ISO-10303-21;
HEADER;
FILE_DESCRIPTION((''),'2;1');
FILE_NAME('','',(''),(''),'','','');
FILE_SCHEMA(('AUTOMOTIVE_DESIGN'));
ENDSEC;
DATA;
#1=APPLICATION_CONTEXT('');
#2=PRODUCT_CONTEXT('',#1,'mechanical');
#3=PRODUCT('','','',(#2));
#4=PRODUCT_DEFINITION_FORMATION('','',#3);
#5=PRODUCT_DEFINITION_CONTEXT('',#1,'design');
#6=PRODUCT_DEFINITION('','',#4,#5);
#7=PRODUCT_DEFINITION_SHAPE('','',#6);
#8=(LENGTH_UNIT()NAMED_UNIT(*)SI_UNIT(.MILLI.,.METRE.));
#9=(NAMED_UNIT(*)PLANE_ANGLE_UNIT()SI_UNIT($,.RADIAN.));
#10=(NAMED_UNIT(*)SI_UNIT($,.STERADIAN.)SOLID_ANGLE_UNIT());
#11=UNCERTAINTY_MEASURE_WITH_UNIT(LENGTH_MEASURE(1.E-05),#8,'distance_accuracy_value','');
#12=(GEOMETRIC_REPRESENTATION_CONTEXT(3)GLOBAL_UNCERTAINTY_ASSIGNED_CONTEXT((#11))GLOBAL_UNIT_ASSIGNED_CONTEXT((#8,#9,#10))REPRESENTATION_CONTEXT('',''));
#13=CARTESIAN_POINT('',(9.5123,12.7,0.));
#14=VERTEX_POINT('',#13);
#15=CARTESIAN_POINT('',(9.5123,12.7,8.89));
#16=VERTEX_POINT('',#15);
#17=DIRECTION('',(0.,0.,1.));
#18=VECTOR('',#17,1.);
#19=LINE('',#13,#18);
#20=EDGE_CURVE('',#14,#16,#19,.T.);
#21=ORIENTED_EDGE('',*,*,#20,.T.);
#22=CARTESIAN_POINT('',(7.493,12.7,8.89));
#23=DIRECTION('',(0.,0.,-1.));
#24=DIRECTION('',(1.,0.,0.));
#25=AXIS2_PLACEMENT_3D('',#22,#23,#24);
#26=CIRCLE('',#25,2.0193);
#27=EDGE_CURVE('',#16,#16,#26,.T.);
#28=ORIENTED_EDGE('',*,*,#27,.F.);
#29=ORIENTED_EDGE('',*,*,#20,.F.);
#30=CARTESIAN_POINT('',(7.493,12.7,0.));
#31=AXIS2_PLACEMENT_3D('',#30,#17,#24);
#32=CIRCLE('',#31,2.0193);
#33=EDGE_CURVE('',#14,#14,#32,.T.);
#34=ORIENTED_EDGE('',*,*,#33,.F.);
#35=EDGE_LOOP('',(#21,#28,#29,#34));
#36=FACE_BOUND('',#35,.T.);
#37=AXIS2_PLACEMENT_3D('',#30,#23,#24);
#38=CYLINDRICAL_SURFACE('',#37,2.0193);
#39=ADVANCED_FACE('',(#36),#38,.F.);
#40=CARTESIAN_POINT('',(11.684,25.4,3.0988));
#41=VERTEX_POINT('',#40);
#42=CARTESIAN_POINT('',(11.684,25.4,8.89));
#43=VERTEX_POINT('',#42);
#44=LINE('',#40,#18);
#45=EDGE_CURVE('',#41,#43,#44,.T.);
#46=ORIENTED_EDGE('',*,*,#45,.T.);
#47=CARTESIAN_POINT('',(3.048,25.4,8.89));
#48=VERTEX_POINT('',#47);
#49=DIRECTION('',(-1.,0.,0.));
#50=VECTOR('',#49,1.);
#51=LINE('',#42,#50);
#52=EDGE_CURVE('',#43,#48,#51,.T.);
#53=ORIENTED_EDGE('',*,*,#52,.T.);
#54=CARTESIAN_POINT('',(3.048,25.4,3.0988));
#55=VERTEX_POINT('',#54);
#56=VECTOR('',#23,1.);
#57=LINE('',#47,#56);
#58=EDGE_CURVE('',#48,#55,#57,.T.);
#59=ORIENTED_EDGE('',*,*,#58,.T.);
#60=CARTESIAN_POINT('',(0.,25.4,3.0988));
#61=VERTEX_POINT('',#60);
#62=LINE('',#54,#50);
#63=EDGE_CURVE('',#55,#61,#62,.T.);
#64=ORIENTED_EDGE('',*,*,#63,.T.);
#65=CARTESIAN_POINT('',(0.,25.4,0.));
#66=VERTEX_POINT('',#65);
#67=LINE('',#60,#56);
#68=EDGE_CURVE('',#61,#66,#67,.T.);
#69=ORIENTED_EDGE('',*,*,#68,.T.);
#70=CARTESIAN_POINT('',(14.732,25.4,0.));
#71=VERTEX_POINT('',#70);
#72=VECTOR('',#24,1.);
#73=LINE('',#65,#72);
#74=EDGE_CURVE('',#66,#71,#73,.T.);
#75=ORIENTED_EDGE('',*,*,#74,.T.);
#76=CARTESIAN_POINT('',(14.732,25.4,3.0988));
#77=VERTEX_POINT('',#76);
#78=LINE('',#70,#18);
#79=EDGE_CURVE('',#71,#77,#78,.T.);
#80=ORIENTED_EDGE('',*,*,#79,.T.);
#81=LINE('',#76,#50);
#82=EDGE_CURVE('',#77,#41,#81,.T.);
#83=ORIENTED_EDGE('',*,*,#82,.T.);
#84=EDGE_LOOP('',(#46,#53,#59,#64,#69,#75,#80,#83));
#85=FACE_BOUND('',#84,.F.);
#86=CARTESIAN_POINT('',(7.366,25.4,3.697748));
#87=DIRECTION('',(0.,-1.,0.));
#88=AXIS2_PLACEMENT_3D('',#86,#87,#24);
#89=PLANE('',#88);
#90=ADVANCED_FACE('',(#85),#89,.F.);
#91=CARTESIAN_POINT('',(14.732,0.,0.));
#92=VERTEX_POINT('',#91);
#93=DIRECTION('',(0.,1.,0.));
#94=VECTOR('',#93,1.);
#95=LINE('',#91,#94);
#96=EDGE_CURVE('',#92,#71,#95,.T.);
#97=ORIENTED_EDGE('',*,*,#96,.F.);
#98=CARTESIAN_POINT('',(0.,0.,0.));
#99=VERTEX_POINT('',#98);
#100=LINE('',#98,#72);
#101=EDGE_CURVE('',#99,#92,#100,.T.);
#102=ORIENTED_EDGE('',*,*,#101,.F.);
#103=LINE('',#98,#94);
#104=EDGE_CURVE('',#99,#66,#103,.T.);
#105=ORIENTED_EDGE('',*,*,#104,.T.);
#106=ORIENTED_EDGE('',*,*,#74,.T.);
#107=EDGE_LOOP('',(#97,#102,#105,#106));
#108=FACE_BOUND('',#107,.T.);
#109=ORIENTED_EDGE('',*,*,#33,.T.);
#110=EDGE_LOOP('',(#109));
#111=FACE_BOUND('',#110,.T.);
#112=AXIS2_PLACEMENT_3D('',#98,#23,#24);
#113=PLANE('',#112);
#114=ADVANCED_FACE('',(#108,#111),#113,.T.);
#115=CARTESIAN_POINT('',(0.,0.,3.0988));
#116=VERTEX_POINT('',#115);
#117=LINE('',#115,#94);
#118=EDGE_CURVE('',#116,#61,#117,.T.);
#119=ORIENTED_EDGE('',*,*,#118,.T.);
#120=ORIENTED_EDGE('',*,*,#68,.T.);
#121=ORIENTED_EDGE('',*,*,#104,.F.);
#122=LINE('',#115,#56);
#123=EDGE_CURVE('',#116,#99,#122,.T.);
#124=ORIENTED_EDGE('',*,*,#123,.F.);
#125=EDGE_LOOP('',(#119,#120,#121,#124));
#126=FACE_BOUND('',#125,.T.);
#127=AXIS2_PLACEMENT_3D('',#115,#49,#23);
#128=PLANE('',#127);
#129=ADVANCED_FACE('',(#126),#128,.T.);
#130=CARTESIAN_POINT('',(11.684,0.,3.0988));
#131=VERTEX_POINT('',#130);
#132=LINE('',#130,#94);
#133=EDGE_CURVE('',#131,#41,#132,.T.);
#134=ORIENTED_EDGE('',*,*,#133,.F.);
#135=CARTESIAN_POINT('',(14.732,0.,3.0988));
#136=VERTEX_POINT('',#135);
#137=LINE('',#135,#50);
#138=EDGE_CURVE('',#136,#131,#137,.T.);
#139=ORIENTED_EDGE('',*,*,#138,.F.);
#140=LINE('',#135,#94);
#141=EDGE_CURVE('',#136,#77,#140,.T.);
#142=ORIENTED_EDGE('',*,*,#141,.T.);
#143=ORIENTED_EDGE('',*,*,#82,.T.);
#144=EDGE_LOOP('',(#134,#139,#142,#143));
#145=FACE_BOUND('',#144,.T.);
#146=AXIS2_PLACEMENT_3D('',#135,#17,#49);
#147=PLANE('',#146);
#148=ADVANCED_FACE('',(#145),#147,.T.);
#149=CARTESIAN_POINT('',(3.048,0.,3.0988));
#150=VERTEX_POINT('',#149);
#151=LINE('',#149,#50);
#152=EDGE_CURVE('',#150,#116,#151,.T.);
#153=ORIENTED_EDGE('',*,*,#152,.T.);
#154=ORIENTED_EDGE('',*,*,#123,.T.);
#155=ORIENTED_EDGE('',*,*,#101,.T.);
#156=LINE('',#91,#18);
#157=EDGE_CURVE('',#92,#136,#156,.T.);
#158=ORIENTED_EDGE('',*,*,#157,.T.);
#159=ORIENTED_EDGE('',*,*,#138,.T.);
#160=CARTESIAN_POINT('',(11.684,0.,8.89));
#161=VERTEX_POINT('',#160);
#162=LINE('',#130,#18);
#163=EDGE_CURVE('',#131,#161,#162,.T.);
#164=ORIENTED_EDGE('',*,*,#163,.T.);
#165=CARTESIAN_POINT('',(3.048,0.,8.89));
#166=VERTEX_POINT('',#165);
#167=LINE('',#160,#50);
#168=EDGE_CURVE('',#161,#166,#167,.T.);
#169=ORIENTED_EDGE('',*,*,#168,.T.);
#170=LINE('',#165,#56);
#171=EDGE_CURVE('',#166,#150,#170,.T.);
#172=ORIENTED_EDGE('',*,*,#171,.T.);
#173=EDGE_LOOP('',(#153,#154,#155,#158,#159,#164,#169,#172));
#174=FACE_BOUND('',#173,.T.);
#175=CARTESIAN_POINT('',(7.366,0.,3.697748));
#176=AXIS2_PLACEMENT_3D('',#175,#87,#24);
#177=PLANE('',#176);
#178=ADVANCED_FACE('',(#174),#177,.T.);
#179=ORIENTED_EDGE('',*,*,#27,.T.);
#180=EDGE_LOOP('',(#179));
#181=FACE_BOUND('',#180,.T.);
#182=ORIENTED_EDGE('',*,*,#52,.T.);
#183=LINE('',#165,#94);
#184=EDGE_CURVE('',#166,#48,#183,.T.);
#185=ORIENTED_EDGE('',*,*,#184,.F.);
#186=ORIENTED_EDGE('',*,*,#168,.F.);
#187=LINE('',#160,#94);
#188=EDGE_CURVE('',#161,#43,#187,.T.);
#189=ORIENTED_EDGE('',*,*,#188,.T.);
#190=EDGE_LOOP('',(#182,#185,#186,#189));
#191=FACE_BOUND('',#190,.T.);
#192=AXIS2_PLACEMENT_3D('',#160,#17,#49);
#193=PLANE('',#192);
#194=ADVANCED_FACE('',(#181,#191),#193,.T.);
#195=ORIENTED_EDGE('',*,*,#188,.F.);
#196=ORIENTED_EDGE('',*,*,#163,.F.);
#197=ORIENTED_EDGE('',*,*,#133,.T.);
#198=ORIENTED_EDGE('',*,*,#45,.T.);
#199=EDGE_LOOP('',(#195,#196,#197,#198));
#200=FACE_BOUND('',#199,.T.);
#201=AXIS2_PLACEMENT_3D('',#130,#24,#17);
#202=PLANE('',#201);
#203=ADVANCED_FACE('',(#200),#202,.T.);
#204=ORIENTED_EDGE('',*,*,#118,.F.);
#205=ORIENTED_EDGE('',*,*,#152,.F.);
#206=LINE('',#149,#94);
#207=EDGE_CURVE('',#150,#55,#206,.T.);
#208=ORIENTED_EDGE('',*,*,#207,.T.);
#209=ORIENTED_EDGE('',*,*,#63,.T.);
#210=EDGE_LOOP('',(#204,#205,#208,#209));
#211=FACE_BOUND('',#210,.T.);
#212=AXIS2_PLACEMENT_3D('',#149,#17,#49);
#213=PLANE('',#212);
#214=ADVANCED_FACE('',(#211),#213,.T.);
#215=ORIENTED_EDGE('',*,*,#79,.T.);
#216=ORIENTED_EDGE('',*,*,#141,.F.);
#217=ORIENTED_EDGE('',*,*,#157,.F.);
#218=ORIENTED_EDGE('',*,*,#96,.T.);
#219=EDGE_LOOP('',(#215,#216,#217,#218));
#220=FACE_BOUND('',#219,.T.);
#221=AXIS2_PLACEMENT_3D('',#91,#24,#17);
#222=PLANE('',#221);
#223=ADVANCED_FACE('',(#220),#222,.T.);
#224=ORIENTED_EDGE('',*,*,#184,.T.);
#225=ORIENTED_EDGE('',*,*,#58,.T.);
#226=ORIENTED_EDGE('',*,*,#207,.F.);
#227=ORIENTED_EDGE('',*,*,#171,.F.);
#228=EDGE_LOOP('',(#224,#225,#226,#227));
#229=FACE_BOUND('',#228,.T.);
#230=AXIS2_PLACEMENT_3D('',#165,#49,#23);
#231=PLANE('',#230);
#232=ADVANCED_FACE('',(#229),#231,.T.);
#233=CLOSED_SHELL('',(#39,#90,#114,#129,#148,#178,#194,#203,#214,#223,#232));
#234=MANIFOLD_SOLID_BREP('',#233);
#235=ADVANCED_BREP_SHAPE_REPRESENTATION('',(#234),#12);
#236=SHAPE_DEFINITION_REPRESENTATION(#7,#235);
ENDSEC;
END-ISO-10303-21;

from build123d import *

# Parameters (mm, degrees)
F1_DEPTH = 25.4
F2_R     = 2.0193
F3_DEPTH = 8.891


with BuildPart() as f1:
    # F0 (on Front) → F1 (new body)
    with BuildSketch(Plane.XZ):
        Polygon((0, 3.0988), (0, 0), (14.732, 0), (14.732, 3.0988), (11.684, 3.0988), (11.684, 8.89), (3.048, 8.89), (3.048, 3.0988), align=None)
    extrude(amount=-F1_DEPTH)

    # F2 (on Top) → F3 (cut, through all)
    with BuildSketch(Plane.XY):
        with Locations((7.493, 12.7)):
            Circle(F2_R)
    extrude(amount=F3_DEPTH, mode=Mode.SUBTRACT)


solid = f1.part
